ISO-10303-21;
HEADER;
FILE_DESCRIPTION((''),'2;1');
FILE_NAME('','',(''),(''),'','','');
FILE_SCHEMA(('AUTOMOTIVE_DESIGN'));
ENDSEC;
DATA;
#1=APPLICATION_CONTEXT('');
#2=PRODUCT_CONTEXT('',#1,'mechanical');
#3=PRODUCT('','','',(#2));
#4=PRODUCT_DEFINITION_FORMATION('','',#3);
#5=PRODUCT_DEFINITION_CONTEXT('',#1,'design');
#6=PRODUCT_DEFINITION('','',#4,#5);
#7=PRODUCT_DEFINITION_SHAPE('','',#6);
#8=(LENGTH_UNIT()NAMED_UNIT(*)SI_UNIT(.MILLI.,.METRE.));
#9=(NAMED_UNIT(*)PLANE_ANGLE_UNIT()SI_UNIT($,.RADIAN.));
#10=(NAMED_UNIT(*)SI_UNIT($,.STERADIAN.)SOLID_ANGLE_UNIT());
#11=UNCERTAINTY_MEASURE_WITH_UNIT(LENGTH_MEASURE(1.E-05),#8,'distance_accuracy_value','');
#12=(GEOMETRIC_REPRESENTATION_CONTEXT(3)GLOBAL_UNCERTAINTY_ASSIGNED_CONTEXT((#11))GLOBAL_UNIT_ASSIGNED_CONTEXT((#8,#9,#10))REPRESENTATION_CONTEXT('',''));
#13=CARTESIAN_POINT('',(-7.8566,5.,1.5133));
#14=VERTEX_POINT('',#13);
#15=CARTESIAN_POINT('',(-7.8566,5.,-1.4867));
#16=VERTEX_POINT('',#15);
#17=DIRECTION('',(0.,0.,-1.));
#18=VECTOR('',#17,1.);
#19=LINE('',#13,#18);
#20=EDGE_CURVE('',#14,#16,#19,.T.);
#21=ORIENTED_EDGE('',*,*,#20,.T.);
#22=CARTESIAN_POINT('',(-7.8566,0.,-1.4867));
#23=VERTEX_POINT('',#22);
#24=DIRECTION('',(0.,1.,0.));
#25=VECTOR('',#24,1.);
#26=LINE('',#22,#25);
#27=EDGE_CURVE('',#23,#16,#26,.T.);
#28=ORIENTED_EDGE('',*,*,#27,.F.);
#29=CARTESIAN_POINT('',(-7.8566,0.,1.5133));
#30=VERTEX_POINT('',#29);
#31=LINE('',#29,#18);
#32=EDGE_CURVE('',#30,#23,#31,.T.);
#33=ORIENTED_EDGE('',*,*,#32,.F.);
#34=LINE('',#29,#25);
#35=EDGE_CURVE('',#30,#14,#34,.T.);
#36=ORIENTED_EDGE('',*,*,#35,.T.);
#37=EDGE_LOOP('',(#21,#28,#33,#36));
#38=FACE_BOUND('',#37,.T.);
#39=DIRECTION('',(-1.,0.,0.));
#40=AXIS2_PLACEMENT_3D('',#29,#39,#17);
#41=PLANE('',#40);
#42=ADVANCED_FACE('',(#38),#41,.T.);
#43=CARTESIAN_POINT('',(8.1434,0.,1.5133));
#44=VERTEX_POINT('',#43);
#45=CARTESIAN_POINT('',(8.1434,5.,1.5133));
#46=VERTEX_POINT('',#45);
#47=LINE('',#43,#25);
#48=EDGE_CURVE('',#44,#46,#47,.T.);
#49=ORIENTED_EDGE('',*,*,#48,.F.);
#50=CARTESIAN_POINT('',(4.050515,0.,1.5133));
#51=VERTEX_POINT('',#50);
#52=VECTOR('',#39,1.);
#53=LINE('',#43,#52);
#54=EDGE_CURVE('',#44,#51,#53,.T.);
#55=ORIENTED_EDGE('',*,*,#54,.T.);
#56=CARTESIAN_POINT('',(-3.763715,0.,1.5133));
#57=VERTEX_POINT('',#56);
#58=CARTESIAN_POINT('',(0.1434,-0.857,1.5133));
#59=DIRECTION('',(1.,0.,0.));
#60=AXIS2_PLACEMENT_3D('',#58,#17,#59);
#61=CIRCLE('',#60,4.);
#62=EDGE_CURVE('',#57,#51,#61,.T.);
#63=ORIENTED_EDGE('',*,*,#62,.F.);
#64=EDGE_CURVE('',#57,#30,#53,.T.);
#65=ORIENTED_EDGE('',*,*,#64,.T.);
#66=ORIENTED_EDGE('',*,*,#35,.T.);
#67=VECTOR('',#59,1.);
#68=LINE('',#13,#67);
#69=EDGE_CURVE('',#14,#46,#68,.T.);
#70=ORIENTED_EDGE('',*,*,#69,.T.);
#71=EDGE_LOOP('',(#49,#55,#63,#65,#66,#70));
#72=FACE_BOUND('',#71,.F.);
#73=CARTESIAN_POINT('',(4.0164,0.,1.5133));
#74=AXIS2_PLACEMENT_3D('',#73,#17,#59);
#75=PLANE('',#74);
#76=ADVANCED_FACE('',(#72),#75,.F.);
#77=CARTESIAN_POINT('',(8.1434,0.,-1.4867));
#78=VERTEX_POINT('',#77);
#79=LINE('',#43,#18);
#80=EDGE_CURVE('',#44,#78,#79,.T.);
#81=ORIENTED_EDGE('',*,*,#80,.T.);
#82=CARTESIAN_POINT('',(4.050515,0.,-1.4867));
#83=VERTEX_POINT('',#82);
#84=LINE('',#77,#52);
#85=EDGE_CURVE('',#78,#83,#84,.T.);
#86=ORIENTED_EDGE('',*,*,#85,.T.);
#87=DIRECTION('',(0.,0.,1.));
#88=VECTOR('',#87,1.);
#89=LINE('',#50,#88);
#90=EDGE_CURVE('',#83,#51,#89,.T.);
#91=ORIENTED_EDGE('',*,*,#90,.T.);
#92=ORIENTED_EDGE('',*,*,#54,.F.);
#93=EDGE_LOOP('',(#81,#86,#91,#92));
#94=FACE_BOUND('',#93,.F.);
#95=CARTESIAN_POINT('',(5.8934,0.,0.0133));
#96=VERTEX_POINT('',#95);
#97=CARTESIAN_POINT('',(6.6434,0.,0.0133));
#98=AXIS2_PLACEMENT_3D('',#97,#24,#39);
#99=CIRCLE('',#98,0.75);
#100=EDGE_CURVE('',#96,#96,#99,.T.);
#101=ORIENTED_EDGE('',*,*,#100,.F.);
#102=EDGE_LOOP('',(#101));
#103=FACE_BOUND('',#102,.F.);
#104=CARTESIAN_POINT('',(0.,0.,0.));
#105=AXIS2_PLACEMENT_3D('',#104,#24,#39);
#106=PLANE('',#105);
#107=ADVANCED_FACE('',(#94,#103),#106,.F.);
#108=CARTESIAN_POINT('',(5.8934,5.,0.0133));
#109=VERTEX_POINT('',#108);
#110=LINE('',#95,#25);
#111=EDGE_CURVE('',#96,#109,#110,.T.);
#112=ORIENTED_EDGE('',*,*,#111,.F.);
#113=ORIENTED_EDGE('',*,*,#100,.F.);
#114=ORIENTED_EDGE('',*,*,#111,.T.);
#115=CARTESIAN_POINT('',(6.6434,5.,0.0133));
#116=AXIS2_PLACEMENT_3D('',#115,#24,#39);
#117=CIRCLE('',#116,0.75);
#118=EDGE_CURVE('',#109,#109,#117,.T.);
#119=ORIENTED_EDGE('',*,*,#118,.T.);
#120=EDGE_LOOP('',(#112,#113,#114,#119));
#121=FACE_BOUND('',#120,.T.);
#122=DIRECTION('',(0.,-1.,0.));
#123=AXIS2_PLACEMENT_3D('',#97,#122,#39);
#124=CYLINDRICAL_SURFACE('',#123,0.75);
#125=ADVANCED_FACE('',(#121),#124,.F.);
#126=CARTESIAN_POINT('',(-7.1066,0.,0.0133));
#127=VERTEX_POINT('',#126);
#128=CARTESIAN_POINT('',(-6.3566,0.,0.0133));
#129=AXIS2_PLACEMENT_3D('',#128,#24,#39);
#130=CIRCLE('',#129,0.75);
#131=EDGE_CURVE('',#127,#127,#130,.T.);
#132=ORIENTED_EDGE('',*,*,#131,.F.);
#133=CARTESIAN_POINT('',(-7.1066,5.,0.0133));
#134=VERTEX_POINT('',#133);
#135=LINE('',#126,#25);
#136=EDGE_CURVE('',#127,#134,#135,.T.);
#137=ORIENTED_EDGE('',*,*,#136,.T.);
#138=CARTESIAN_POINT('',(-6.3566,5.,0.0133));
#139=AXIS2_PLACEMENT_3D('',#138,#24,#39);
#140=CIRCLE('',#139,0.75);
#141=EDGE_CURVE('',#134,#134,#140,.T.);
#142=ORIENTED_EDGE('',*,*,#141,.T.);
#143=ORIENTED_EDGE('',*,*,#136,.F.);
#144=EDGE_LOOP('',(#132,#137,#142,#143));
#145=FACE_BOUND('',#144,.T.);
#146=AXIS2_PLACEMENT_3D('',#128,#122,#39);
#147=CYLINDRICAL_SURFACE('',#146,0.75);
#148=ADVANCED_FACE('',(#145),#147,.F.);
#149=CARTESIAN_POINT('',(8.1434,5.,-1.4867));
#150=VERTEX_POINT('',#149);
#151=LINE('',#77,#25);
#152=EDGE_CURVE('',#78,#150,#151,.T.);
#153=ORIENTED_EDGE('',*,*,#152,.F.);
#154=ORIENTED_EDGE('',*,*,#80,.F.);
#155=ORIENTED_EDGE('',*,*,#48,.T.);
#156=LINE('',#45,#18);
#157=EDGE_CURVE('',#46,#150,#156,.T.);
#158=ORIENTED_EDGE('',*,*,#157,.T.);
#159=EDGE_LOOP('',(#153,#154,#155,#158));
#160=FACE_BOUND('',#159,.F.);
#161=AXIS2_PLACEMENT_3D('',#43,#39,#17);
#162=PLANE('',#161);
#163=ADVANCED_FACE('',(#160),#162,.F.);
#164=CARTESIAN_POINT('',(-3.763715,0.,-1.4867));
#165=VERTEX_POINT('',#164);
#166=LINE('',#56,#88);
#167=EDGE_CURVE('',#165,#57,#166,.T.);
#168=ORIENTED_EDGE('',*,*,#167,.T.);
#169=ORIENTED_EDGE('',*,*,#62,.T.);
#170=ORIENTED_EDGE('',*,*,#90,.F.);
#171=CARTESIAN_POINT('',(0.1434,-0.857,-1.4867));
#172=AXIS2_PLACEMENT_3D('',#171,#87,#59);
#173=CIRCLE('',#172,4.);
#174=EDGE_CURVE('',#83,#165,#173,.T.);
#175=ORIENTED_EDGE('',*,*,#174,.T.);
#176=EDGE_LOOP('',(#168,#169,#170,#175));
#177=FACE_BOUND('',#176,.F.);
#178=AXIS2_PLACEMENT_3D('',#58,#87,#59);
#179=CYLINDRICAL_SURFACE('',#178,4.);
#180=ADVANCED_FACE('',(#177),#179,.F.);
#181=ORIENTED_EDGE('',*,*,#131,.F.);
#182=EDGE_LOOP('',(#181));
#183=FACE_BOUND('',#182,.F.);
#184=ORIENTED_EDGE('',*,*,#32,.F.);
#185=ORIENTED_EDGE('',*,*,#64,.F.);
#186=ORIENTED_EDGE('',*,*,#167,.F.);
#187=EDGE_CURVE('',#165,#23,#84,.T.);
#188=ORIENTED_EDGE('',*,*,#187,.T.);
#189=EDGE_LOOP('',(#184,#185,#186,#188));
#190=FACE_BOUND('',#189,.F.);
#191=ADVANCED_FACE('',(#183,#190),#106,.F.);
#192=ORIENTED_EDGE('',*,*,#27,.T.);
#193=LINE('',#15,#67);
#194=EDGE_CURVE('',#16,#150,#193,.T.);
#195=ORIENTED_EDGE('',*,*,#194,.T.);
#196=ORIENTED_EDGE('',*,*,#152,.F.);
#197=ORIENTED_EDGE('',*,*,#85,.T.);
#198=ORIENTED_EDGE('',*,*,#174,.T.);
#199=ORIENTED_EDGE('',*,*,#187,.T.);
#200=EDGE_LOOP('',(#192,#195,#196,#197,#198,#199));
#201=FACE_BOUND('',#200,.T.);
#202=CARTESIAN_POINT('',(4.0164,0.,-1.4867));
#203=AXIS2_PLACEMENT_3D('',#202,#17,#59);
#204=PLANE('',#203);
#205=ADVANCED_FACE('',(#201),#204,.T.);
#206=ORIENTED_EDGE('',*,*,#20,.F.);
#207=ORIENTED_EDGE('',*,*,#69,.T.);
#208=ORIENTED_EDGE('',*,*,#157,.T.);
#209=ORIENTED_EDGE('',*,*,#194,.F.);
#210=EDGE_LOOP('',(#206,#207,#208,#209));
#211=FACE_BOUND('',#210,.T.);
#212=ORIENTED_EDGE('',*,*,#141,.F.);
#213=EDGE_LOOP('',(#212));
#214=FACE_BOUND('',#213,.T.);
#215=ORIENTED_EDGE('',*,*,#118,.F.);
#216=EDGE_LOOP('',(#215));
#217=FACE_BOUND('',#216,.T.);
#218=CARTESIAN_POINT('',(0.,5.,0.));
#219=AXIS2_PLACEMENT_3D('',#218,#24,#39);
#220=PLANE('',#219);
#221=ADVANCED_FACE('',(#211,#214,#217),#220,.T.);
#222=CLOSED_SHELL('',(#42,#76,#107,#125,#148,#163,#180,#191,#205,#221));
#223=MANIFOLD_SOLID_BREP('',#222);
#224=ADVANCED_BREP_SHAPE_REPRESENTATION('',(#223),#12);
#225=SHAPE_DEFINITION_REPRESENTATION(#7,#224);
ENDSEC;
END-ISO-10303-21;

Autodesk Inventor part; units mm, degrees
ref_plane "YZ Plane" through (0, 0, 0) normal (1, 0, 0) x (0, 1, 0)
ref_plane "XZ Plane" through (0, 0, 0) normal (0, 1, 0) x (-1, 0, 0)
ref_plane "XY Plane" through (0, 0, 0) normal (0, 0, 1) x (1, 0, 0)
sketch "Эскиз1" plane through (0, 0, 0) normal (0, 1, 0) x (-1, 0, 0)
  line L0 (-4.0164, 1.5133) -> (-8.1434, 1.5133)
  circle A0 centre (-6.6434, 0.0133) radius 0.75
  line L1 (-4.0164, -1.4867) -> (-8.1434, -1.4867)
  line L2 (-4.0164, 1.5133) -> (-4.0164, -1.4867)
  line L3 (-4.0164, 1.5133) -> (-8.1434, 1.5133)
  line L4 (-8.1434, 1.5133) -> (-8.1434, -1.4867)
  circle A1 centre (6.3566, 0.0133) radius 0.75
  line L5 (3.7295, -1.4867) -> (3.7295, 1.5133)
  line L6 (7.8566, -1.4867) -> (3.7295, -1.4867)
  line L7 (7.8566, 1.5133) -> (7.8566, -1.4867)
  line L8 (3.7295, 1.5133) -> (7.8566, 1.5133)
  line L9 (-4.0164, 1.5133) -> (-4.0164, -1.4867)
  line L10 (3.7295, -1.4867) -> (-4.0164, -1.4867)
  line L11 (3.7295, -1.4867) -> (3.7295, 1.5133)
  line L12 (-4.0164, 1.5133) -> (3.7295, 1.5133)
  point P0 (0, 0)
  point P1 (0, 0)
extrude "Выдавливание1" add sketch "Эскиз1" along normal blind 5
sketch "Эскиз2" plane through (-7.8566, 0, 1.5133) normal (0, 0, 1) x (1, 0, 0)
  circle A0 centre (8, -0.857) radius 4
  line L0 (0, 0) -> (16, 0) projected
  dimension "d2" = 8
  dimension "d6" = 0.857
  dimension "d7" = 8
extrude "Выдавливание2" cut sketch "Эскиз2" against normal through all
properties part number "КВ33.044.208 - Зажим вакумной присоски"
